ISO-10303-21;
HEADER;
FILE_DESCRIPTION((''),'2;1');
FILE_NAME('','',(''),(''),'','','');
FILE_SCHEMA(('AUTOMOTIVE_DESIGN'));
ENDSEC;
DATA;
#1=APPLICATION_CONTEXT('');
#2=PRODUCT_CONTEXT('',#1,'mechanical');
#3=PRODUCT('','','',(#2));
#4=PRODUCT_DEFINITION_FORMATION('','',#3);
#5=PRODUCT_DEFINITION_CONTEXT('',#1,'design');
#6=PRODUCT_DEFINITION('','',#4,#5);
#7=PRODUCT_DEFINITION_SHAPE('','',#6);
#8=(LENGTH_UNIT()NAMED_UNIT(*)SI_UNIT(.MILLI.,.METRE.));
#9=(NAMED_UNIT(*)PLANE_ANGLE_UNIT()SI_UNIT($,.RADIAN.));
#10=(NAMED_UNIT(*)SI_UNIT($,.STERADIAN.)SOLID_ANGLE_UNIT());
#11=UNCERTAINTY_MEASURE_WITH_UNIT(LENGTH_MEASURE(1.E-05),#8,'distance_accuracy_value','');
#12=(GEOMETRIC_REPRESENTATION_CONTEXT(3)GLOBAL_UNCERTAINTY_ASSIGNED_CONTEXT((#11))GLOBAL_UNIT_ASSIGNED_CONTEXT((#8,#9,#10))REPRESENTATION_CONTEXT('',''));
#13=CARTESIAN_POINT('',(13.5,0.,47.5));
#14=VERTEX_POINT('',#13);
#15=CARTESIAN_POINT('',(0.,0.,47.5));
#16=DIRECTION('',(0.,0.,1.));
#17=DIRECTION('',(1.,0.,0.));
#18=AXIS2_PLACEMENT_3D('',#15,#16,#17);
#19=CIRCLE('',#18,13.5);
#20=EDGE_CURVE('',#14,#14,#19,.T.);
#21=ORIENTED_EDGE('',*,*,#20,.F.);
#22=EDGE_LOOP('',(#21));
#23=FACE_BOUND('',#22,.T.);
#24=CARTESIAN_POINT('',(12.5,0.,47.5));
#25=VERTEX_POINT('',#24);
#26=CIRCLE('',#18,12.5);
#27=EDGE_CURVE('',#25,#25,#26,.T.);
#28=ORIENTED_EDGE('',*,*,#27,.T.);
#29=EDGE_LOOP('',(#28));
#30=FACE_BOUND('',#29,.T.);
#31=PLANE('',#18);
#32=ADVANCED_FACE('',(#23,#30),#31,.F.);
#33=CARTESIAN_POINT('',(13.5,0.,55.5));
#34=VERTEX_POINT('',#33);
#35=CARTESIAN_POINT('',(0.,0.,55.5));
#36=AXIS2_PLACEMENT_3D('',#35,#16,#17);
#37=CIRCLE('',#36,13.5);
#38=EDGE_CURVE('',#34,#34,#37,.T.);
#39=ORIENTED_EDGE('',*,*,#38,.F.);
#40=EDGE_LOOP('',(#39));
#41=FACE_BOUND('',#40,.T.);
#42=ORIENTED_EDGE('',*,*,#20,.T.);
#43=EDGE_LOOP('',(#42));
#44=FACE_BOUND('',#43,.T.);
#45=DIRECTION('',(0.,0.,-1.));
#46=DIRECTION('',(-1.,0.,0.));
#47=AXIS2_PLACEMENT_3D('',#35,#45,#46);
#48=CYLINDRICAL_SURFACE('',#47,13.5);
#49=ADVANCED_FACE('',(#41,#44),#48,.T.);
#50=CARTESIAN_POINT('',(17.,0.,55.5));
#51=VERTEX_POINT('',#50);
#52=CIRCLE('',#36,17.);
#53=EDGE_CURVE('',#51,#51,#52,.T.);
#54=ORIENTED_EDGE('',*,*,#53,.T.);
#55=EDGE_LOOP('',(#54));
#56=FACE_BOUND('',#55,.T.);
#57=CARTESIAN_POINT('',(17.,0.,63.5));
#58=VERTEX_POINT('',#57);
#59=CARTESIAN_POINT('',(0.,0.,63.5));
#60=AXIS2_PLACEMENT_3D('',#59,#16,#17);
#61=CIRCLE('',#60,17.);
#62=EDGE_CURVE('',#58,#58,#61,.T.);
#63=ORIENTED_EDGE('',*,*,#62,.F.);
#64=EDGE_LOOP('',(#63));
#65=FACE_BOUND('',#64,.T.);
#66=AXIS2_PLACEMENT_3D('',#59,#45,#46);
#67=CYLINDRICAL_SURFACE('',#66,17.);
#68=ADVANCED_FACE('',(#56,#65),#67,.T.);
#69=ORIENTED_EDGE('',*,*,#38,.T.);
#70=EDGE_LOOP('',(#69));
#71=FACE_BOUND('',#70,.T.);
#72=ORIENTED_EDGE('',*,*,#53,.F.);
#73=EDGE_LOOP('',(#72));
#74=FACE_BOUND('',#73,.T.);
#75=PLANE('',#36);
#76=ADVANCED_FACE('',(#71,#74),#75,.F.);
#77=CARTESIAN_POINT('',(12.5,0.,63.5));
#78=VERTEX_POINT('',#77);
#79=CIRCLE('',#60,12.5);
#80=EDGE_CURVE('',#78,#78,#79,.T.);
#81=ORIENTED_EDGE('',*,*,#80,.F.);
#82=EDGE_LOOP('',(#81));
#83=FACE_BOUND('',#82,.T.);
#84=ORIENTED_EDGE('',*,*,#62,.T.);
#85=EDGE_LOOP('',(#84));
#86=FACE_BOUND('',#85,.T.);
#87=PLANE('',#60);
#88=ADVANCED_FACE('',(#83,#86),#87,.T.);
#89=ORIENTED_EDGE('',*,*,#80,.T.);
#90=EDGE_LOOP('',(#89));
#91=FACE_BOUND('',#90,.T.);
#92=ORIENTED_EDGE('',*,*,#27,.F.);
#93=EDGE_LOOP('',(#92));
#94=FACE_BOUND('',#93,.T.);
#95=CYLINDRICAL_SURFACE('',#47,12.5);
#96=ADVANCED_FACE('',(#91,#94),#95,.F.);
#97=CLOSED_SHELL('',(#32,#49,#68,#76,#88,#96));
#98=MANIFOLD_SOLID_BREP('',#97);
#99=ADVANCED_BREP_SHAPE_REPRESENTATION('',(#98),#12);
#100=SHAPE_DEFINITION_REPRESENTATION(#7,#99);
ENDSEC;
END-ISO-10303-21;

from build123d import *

# Parameters (mm, degrees)
NEEDLE_NECK_START      = 47.5
SKETCH_1_R             = 13.5
SKETCH_1_R_2           = 12.5
NEEDLE_NECK_DEPTH      = 8
NEEDLE_OUTER_HUB_START = 55.5
SKETCH_2_R             = 17
SKETCH_2_R_2           = 12.5
NEEDLE_OUTER_HUB_DEPTH = 8


with BuildPart() as part:
    # Эскиз1 → Needle_neck (new body)
    with BuildSketch(Plane.XY.offset(NEEDLE_NECK_START)):
        Circle(SKETCH_1_R)
        Circle(SKETCH_1_R_2, mode=Mode.SUBTRACT)
    extrude(amount=NEEDLE_NECK_DEPTH)

    # Эскиз2 → Needle_outer_hub (add)
    with BuildSketch(Plane.XY.offset(NEEDLE_OUTER_HUB_START)):
        Circle(SKETCH_2_R)
        Circle(SKETCH_2_R_2, mode=Mode.SUBTRACT)
    extrude(amount=NEEDLE_OUTER_HUB_DEPTH)


solid = part.part
